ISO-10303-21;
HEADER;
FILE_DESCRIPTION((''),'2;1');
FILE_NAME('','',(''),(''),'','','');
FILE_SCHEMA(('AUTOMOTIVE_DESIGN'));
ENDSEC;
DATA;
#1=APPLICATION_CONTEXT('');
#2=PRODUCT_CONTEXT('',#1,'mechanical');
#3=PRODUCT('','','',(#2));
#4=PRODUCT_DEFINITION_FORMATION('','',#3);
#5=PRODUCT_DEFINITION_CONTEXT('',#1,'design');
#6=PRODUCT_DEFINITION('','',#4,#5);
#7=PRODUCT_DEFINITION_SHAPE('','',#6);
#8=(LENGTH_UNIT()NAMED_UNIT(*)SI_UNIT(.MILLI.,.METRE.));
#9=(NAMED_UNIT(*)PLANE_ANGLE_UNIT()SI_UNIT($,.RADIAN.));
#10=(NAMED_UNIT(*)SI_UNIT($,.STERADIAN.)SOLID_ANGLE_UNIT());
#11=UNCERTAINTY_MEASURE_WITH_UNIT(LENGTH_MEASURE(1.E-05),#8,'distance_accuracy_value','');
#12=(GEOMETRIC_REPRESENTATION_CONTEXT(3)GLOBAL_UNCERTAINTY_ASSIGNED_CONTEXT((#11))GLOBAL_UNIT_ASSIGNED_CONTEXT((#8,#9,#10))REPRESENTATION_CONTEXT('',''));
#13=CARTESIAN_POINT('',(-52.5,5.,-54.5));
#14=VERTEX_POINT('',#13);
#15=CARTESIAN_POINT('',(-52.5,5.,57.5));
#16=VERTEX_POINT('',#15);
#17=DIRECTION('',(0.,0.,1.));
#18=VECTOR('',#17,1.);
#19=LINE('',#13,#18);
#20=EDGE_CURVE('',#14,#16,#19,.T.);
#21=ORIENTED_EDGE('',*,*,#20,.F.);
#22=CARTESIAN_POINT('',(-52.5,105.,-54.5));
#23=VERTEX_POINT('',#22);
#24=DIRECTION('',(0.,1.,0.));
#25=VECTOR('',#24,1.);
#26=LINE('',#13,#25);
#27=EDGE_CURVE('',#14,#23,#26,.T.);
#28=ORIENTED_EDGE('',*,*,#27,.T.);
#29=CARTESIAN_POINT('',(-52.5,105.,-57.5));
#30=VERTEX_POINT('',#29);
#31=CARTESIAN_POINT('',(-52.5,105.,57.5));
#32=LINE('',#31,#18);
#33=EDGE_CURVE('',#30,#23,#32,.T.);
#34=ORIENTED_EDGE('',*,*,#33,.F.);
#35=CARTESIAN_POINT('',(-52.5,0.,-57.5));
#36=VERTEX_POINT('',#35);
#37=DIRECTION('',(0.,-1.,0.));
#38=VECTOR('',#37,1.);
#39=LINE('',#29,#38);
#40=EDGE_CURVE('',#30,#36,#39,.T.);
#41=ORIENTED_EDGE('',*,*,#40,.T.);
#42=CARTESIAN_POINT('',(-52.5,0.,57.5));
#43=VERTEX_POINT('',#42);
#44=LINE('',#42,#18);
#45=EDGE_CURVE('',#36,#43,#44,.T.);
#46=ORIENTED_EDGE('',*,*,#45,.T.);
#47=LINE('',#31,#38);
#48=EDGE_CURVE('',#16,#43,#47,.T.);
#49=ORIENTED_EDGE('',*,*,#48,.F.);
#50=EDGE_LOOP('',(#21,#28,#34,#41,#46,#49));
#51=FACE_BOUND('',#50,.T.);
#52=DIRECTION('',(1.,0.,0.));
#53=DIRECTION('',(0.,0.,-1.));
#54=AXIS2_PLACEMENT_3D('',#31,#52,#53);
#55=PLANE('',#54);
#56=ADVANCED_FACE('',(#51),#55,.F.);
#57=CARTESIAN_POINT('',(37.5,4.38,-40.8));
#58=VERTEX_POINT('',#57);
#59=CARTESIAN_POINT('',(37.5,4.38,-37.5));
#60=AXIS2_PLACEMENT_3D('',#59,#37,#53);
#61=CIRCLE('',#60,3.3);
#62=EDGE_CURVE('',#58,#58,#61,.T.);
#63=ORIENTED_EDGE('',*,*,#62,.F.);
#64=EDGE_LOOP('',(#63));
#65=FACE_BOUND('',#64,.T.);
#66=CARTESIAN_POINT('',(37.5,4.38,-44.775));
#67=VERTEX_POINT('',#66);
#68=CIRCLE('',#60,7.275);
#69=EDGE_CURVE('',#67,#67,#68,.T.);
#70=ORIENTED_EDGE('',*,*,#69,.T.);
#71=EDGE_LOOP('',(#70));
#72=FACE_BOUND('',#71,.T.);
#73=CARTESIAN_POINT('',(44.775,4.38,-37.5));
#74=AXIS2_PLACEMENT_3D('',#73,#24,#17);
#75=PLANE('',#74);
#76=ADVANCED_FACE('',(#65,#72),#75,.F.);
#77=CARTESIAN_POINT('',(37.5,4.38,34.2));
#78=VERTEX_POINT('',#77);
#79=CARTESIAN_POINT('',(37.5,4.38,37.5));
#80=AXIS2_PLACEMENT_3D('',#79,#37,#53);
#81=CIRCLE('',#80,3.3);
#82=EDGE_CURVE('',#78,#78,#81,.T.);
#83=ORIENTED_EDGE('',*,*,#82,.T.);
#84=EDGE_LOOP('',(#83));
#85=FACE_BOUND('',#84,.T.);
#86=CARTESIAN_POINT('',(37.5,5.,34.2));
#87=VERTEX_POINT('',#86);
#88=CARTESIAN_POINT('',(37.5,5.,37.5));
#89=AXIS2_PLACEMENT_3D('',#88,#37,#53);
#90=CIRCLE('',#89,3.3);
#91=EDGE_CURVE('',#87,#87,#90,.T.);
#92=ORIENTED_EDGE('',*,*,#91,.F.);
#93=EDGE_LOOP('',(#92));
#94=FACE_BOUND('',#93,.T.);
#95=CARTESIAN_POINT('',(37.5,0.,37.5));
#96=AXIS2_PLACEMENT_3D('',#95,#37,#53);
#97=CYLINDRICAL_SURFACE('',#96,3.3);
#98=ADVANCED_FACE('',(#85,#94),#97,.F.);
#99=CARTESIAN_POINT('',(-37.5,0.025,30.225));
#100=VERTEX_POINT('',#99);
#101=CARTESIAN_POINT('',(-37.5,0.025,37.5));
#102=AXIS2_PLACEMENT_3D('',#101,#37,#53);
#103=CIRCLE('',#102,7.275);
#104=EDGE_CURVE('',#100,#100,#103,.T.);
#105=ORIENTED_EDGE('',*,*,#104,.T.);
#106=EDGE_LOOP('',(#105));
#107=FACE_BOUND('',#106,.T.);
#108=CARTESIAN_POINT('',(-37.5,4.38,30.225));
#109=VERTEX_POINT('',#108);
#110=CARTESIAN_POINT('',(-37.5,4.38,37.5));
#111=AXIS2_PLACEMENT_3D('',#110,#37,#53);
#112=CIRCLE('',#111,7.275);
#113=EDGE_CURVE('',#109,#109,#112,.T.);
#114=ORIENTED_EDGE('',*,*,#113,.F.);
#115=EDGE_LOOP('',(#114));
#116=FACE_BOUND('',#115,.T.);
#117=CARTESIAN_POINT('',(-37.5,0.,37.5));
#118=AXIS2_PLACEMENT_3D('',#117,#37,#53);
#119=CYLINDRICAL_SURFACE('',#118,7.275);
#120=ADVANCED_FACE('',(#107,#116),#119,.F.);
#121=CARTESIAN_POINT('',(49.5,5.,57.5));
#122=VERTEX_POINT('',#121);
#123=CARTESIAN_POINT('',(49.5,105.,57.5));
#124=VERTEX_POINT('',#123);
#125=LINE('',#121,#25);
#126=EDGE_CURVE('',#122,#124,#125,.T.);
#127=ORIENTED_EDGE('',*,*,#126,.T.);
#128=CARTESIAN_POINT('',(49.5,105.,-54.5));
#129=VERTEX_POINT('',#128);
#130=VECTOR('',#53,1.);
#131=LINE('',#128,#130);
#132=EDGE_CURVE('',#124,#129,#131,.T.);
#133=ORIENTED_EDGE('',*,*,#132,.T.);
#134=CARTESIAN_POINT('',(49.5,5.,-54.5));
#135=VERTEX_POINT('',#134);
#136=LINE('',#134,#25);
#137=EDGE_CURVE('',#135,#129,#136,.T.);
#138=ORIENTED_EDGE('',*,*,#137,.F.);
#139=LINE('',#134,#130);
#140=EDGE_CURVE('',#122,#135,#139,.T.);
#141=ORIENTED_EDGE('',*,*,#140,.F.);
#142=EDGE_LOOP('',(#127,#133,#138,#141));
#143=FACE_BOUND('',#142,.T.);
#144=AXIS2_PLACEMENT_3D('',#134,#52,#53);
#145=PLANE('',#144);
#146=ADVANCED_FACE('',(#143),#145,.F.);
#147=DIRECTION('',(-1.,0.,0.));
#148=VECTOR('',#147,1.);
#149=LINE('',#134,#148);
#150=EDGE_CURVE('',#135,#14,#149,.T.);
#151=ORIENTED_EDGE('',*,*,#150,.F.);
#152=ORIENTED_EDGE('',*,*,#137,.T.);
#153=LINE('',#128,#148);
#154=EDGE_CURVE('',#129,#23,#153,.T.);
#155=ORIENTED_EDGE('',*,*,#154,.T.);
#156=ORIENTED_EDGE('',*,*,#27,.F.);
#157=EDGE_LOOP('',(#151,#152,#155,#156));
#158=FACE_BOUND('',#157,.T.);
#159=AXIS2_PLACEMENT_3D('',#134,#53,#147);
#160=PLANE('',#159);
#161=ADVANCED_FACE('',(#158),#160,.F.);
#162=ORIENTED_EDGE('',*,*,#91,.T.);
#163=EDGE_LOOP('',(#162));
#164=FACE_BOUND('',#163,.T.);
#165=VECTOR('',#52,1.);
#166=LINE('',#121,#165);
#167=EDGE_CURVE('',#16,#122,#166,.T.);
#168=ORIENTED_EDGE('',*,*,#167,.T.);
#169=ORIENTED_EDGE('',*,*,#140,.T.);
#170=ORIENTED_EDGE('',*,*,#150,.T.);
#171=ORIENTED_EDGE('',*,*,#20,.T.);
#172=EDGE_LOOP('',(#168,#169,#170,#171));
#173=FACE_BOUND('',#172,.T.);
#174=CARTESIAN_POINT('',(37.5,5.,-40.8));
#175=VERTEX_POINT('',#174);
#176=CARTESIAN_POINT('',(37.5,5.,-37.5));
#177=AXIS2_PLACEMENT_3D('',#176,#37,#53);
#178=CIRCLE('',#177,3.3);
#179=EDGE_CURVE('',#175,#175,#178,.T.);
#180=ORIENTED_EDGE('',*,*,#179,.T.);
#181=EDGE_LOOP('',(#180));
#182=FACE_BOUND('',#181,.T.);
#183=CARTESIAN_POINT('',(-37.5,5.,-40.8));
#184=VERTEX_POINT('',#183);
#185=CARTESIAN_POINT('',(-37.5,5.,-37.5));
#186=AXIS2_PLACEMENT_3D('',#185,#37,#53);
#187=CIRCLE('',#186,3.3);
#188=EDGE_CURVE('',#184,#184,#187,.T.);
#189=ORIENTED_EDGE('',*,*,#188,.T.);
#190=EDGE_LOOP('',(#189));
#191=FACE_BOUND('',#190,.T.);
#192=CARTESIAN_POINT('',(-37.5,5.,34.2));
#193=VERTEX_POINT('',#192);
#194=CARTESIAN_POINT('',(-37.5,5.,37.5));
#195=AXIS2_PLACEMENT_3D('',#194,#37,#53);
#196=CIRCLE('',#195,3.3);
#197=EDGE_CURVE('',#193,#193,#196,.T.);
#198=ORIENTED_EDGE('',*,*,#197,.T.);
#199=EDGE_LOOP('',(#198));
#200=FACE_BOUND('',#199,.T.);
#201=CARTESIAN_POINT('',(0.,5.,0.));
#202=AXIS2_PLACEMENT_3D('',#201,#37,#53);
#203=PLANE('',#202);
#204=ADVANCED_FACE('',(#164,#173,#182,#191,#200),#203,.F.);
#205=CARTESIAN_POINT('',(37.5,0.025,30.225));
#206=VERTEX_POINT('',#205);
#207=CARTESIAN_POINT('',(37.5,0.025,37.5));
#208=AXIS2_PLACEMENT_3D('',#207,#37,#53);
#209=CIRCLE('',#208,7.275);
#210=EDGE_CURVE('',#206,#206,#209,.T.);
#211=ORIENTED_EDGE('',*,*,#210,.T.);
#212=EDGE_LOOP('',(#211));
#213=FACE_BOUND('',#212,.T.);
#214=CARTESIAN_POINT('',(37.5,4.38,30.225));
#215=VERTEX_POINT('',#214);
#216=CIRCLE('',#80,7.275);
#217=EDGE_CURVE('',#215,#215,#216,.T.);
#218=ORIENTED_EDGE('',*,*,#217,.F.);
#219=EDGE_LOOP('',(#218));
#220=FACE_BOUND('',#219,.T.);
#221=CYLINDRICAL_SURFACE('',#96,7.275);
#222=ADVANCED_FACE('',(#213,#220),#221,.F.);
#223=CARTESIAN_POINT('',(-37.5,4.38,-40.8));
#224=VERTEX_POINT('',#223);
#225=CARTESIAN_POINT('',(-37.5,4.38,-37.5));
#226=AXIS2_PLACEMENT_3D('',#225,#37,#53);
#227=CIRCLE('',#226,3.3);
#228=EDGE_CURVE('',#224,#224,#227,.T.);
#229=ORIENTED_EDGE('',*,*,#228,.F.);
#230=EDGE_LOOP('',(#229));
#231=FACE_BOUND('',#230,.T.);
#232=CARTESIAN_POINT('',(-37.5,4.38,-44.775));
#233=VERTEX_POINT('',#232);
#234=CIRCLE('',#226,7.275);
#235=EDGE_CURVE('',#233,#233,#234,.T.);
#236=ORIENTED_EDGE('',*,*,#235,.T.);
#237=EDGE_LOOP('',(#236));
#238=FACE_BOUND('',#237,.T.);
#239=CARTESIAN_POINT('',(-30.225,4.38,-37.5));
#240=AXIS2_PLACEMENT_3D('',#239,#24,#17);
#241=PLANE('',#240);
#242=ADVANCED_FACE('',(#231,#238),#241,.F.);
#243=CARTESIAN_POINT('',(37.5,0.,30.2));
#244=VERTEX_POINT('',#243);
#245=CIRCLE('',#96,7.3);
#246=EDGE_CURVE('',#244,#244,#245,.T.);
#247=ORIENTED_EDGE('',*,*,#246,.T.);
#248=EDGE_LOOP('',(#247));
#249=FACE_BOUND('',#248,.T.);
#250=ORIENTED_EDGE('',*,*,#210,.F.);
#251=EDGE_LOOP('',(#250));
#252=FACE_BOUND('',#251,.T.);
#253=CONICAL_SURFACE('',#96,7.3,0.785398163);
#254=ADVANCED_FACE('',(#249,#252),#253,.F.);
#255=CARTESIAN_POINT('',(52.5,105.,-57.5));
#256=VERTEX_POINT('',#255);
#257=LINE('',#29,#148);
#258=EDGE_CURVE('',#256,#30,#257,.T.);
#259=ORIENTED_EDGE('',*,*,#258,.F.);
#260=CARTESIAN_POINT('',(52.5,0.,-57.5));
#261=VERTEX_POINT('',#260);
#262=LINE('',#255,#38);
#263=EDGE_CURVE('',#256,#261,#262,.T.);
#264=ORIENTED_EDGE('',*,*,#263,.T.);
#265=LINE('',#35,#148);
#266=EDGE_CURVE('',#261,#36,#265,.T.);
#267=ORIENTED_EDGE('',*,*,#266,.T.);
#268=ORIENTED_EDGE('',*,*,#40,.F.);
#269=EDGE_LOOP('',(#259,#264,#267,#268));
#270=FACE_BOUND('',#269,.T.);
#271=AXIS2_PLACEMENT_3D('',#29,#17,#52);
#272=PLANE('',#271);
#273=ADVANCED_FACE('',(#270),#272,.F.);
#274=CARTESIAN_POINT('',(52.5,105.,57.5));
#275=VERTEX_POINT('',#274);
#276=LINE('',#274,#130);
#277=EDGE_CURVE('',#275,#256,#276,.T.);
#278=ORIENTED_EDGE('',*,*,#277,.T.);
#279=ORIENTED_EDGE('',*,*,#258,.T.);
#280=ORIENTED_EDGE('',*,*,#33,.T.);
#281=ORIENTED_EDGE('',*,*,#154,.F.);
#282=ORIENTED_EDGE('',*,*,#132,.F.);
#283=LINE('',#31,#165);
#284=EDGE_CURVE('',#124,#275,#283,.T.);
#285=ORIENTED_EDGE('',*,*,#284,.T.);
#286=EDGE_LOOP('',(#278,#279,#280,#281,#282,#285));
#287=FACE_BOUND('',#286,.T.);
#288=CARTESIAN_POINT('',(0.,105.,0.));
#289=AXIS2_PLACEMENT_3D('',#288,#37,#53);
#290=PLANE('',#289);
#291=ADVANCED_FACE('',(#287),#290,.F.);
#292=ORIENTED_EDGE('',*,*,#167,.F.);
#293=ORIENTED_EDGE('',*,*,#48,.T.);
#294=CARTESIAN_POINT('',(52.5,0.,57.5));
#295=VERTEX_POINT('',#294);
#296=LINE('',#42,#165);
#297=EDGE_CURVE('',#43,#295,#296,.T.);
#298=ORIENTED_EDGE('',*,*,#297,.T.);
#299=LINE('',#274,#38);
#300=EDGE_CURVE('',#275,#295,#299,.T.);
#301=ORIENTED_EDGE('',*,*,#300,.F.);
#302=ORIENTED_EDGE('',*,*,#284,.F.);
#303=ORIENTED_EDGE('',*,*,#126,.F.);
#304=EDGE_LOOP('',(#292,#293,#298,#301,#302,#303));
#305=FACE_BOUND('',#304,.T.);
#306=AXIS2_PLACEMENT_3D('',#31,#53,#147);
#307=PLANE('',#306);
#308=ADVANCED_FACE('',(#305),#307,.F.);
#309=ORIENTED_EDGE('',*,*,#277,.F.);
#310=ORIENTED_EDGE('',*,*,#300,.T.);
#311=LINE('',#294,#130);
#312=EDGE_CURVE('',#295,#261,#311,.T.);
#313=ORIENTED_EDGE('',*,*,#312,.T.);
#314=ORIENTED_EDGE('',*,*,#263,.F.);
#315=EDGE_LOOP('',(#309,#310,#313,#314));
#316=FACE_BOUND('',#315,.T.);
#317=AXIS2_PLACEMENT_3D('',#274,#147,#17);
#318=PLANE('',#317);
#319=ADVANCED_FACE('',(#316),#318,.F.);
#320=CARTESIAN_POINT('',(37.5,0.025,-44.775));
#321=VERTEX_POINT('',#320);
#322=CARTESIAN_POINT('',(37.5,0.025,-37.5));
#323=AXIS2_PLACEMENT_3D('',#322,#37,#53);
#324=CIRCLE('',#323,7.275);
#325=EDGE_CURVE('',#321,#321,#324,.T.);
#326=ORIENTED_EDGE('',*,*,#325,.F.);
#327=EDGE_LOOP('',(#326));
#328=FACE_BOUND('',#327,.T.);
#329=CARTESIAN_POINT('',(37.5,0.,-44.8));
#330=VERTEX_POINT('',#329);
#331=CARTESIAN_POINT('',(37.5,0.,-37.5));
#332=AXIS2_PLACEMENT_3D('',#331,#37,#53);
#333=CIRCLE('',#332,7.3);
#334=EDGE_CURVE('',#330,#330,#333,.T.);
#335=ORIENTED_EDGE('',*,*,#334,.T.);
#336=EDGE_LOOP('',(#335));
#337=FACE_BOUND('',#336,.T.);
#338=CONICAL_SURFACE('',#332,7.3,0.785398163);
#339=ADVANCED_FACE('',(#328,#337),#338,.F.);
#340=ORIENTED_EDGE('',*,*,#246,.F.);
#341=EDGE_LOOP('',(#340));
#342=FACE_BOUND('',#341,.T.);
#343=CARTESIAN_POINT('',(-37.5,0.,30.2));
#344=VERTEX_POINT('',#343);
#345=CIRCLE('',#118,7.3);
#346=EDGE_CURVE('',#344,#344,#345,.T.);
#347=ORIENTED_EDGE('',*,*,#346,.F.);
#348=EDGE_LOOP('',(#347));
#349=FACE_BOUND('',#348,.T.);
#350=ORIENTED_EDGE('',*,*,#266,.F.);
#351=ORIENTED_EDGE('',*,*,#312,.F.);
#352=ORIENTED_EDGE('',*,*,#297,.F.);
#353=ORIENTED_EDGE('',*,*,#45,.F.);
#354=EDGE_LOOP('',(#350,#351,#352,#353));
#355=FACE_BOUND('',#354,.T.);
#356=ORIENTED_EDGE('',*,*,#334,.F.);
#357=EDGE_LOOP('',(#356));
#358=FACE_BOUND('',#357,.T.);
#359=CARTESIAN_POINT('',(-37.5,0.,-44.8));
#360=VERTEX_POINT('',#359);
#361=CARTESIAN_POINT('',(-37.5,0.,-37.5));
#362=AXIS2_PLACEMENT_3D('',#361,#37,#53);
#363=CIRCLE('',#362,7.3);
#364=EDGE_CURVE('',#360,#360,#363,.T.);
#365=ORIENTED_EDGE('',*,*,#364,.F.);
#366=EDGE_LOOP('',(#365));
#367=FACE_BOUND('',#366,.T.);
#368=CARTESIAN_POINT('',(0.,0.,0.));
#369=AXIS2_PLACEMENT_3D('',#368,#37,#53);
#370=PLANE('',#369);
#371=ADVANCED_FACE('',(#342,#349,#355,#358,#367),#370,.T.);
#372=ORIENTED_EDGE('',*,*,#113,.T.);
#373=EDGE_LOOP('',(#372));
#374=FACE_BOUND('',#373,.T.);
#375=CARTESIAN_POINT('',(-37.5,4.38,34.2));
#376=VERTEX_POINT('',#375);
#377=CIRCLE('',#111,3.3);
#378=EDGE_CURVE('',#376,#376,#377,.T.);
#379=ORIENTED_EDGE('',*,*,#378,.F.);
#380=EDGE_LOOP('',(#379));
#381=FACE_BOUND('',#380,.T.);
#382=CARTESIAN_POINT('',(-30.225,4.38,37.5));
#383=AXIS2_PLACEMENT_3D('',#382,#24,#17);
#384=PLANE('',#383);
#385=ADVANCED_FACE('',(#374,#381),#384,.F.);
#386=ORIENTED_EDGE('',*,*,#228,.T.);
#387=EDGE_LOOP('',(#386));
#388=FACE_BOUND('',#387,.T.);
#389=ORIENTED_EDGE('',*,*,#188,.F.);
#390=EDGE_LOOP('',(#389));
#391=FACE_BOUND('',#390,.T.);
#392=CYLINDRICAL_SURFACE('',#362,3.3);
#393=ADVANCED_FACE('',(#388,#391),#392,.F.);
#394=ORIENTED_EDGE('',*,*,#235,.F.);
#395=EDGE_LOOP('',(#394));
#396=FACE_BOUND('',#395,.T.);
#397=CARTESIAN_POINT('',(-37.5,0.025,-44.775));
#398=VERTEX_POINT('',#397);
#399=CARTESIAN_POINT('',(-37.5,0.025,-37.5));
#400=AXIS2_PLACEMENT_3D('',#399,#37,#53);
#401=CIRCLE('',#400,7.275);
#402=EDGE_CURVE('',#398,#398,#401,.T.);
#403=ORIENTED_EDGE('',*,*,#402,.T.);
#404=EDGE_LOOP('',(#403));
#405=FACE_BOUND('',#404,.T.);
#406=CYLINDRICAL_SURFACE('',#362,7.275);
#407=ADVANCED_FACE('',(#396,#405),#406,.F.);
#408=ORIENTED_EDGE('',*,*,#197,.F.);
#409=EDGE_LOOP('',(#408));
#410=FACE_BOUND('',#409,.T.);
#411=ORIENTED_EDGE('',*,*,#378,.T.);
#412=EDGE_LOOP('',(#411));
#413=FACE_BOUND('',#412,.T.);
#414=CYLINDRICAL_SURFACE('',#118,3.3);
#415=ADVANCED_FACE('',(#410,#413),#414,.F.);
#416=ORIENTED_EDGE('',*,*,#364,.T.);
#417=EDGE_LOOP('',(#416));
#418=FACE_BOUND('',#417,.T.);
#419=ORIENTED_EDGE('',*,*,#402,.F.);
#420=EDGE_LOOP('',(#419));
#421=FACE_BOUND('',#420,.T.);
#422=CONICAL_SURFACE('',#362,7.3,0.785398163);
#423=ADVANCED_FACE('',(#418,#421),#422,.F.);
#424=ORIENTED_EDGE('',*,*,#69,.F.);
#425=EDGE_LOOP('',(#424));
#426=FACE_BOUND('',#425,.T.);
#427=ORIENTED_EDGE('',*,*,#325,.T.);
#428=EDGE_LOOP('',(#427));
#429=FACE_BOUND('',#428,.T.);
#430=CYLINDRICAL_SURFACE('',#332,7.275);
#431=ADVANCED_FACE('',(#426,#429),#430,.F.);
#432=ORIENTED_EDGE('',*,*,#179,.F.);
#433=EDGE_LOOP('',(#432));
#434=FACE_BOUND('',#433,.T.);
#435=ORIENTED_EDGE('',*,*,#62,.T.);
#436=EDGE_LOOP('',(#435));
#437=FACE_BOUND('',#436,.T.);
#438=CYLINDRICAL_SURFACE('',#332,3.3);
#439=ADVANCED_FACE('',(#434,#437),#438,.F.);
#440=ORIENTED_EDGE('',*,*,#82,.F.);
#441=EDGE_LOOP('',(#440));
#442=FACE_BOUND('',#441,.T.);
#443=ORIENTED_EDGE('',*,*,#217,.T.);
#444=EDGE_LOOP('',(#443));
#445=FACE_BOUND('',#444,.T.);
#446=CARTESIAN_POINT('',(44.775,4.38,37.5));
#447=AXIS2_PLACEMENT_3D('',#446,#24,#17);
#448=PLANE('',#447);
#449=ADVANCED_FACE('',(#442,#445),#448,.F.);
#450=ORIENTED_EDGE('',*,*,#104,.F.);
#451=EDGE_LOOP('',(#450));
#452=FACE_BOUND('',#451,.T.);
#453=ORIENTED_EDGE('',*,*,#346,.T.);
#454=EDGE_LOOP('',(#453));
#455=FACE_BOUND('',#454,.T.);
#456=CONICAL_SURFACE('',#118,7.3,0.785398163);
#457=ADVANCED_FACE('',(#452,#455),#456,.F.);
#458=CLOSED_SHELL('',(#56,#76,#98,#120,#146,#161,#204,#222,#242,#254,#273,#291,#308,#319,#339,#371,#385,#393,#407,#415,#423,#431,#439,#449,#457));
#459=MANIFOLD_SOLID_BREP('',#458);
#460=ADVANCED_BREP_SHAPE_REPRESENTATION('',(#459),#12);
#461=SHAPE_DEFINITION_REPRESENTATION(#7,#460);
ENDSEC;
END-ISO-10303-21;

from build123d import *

# Parameters (mm, degrees)
SKETCH3_W                              = 105
SKETCH3_H                              = 115
BOSS_EXTRUDE1_DEPTH                    = 105
SKETCH6_W                              = 102
SKETCH6_H                              = 112
CUT_EXTRUDE1_DEPTH                     = 100
CBORE_FOR_M6_HEX_HEAD_BOLT1_AT_2_COUNT = 2
CBORE_FOR_M6_HEX_HEAD_BOLT1_AT_2_PITCH = 75
CBORE_FOR_M6_HEX_HEAD_BOLT1_AT_3_COUNT = 2
CBORE_FOR_M6_HEX_HEAD_BOLT1_AT_3_PITCH = 106.066017178
CBORE_FOR_M6_HEX_HEAD_BOLT1_AT_4_COUNT = 2
CBORE_FOR_M6_HEX_HEAD_BOLT1_AT_4_PITCH = 75


with BuildPart() as part:
    # Sketch3 → Boss-Extrude1 (new body)
    with BuildSketch(Plane(origin=(0, 0, 0), x_dir=(1, 0, 0), z_dir=(0, 1, 0))):
        Rectangle(SKETCH3_W, SKETCH3_H)
    extrude(amount=BOSS_EXTRUDE1_DEPTH)

    # Sketch6 → Cut-Extrude1 (cut)
    with BuildSketch(Plane(origin=(0, 105, 0), x_dir=(1, 0, 0), z_dir=(0, 1, 0))):
        with Locations((-1.5, -1.5)):
            Rectangle(SKETCH6_W, SKETCH6_H)
    extrude(amount=-CUT_EXTRUDE1_DEPTH, mode=Mode.SUBTRACT)

    # Sketch7 → CBORE for M6 Hex Head Bolt1 (revolve, cut)
    with BuildSketch(Plane(origin=(37.5, 0, 37.5), x_dir=(0, 0, -1), z_dir=(1, 0, 0))):
        Polygon((0, 0), (0, 105), (3.3, 105), (3.3, 4.38), (7.275, 4.38), (7.275, 0.025), (7.3, 0), align=None)
    cbore_for_m6_hex_head_bolt1 = revolve(axis=Axis((37.5, -6.35, 37.5), (0, 1, 0)), mode=Mode.SUBTRACT)

    # CBORE for M6 Hex Head Bolt1 at 2: CBORE for M6 Hex Head Bolt1 ×2
    with Locations(*[(0, 0, -i * CBORE_FOR_M6_HEX_HEAD_BOLT1_AT_2_PITCH) for i in range(1, CBORE_FOR_M6_HEX_HEAD_BOLT1_AT_2_COUNT)]):
        add(cbore_for_m6_hex_head_bolt1, mode=Mode.SUBTRACT)

    # CBORE for M6 Hex Head Bolt1 at 3: CBORE for M6 Hex Head Bolt1 ×2
    with Locations(*[Vector(-0.7071067811865476, 0, -0.7071067811865476) * (i * CBORE_FOR_M6_HEX_HEAD_BOLT1_AT_3_PITCH) for i in range(1, CBORE_FOR_M6_HEX_HEAD_BOLT1_AT_3_COUNT)]):
        add(cbore_for_m6_hex_head_bolt1, mode=Mode.SUBTRACT)

    # CBORE for M6 Hex Head Bolt1 at 4: CBORE for M6 Hex Head Bolt1 ×2
    with Locations(*[(-i * CBORE_FOR_M6_HEX_HEAD_BOLT1_AT_4_PITCH, 0, 0) for i in range(1, CBORE_FOR_M6_HEX_HEAD_BOLT1_AT_4_COUNT)]):
        add(cbore_for_m6_hex_head_bolt1, mode=Mode.SUBTRACT)


solid = part.part
